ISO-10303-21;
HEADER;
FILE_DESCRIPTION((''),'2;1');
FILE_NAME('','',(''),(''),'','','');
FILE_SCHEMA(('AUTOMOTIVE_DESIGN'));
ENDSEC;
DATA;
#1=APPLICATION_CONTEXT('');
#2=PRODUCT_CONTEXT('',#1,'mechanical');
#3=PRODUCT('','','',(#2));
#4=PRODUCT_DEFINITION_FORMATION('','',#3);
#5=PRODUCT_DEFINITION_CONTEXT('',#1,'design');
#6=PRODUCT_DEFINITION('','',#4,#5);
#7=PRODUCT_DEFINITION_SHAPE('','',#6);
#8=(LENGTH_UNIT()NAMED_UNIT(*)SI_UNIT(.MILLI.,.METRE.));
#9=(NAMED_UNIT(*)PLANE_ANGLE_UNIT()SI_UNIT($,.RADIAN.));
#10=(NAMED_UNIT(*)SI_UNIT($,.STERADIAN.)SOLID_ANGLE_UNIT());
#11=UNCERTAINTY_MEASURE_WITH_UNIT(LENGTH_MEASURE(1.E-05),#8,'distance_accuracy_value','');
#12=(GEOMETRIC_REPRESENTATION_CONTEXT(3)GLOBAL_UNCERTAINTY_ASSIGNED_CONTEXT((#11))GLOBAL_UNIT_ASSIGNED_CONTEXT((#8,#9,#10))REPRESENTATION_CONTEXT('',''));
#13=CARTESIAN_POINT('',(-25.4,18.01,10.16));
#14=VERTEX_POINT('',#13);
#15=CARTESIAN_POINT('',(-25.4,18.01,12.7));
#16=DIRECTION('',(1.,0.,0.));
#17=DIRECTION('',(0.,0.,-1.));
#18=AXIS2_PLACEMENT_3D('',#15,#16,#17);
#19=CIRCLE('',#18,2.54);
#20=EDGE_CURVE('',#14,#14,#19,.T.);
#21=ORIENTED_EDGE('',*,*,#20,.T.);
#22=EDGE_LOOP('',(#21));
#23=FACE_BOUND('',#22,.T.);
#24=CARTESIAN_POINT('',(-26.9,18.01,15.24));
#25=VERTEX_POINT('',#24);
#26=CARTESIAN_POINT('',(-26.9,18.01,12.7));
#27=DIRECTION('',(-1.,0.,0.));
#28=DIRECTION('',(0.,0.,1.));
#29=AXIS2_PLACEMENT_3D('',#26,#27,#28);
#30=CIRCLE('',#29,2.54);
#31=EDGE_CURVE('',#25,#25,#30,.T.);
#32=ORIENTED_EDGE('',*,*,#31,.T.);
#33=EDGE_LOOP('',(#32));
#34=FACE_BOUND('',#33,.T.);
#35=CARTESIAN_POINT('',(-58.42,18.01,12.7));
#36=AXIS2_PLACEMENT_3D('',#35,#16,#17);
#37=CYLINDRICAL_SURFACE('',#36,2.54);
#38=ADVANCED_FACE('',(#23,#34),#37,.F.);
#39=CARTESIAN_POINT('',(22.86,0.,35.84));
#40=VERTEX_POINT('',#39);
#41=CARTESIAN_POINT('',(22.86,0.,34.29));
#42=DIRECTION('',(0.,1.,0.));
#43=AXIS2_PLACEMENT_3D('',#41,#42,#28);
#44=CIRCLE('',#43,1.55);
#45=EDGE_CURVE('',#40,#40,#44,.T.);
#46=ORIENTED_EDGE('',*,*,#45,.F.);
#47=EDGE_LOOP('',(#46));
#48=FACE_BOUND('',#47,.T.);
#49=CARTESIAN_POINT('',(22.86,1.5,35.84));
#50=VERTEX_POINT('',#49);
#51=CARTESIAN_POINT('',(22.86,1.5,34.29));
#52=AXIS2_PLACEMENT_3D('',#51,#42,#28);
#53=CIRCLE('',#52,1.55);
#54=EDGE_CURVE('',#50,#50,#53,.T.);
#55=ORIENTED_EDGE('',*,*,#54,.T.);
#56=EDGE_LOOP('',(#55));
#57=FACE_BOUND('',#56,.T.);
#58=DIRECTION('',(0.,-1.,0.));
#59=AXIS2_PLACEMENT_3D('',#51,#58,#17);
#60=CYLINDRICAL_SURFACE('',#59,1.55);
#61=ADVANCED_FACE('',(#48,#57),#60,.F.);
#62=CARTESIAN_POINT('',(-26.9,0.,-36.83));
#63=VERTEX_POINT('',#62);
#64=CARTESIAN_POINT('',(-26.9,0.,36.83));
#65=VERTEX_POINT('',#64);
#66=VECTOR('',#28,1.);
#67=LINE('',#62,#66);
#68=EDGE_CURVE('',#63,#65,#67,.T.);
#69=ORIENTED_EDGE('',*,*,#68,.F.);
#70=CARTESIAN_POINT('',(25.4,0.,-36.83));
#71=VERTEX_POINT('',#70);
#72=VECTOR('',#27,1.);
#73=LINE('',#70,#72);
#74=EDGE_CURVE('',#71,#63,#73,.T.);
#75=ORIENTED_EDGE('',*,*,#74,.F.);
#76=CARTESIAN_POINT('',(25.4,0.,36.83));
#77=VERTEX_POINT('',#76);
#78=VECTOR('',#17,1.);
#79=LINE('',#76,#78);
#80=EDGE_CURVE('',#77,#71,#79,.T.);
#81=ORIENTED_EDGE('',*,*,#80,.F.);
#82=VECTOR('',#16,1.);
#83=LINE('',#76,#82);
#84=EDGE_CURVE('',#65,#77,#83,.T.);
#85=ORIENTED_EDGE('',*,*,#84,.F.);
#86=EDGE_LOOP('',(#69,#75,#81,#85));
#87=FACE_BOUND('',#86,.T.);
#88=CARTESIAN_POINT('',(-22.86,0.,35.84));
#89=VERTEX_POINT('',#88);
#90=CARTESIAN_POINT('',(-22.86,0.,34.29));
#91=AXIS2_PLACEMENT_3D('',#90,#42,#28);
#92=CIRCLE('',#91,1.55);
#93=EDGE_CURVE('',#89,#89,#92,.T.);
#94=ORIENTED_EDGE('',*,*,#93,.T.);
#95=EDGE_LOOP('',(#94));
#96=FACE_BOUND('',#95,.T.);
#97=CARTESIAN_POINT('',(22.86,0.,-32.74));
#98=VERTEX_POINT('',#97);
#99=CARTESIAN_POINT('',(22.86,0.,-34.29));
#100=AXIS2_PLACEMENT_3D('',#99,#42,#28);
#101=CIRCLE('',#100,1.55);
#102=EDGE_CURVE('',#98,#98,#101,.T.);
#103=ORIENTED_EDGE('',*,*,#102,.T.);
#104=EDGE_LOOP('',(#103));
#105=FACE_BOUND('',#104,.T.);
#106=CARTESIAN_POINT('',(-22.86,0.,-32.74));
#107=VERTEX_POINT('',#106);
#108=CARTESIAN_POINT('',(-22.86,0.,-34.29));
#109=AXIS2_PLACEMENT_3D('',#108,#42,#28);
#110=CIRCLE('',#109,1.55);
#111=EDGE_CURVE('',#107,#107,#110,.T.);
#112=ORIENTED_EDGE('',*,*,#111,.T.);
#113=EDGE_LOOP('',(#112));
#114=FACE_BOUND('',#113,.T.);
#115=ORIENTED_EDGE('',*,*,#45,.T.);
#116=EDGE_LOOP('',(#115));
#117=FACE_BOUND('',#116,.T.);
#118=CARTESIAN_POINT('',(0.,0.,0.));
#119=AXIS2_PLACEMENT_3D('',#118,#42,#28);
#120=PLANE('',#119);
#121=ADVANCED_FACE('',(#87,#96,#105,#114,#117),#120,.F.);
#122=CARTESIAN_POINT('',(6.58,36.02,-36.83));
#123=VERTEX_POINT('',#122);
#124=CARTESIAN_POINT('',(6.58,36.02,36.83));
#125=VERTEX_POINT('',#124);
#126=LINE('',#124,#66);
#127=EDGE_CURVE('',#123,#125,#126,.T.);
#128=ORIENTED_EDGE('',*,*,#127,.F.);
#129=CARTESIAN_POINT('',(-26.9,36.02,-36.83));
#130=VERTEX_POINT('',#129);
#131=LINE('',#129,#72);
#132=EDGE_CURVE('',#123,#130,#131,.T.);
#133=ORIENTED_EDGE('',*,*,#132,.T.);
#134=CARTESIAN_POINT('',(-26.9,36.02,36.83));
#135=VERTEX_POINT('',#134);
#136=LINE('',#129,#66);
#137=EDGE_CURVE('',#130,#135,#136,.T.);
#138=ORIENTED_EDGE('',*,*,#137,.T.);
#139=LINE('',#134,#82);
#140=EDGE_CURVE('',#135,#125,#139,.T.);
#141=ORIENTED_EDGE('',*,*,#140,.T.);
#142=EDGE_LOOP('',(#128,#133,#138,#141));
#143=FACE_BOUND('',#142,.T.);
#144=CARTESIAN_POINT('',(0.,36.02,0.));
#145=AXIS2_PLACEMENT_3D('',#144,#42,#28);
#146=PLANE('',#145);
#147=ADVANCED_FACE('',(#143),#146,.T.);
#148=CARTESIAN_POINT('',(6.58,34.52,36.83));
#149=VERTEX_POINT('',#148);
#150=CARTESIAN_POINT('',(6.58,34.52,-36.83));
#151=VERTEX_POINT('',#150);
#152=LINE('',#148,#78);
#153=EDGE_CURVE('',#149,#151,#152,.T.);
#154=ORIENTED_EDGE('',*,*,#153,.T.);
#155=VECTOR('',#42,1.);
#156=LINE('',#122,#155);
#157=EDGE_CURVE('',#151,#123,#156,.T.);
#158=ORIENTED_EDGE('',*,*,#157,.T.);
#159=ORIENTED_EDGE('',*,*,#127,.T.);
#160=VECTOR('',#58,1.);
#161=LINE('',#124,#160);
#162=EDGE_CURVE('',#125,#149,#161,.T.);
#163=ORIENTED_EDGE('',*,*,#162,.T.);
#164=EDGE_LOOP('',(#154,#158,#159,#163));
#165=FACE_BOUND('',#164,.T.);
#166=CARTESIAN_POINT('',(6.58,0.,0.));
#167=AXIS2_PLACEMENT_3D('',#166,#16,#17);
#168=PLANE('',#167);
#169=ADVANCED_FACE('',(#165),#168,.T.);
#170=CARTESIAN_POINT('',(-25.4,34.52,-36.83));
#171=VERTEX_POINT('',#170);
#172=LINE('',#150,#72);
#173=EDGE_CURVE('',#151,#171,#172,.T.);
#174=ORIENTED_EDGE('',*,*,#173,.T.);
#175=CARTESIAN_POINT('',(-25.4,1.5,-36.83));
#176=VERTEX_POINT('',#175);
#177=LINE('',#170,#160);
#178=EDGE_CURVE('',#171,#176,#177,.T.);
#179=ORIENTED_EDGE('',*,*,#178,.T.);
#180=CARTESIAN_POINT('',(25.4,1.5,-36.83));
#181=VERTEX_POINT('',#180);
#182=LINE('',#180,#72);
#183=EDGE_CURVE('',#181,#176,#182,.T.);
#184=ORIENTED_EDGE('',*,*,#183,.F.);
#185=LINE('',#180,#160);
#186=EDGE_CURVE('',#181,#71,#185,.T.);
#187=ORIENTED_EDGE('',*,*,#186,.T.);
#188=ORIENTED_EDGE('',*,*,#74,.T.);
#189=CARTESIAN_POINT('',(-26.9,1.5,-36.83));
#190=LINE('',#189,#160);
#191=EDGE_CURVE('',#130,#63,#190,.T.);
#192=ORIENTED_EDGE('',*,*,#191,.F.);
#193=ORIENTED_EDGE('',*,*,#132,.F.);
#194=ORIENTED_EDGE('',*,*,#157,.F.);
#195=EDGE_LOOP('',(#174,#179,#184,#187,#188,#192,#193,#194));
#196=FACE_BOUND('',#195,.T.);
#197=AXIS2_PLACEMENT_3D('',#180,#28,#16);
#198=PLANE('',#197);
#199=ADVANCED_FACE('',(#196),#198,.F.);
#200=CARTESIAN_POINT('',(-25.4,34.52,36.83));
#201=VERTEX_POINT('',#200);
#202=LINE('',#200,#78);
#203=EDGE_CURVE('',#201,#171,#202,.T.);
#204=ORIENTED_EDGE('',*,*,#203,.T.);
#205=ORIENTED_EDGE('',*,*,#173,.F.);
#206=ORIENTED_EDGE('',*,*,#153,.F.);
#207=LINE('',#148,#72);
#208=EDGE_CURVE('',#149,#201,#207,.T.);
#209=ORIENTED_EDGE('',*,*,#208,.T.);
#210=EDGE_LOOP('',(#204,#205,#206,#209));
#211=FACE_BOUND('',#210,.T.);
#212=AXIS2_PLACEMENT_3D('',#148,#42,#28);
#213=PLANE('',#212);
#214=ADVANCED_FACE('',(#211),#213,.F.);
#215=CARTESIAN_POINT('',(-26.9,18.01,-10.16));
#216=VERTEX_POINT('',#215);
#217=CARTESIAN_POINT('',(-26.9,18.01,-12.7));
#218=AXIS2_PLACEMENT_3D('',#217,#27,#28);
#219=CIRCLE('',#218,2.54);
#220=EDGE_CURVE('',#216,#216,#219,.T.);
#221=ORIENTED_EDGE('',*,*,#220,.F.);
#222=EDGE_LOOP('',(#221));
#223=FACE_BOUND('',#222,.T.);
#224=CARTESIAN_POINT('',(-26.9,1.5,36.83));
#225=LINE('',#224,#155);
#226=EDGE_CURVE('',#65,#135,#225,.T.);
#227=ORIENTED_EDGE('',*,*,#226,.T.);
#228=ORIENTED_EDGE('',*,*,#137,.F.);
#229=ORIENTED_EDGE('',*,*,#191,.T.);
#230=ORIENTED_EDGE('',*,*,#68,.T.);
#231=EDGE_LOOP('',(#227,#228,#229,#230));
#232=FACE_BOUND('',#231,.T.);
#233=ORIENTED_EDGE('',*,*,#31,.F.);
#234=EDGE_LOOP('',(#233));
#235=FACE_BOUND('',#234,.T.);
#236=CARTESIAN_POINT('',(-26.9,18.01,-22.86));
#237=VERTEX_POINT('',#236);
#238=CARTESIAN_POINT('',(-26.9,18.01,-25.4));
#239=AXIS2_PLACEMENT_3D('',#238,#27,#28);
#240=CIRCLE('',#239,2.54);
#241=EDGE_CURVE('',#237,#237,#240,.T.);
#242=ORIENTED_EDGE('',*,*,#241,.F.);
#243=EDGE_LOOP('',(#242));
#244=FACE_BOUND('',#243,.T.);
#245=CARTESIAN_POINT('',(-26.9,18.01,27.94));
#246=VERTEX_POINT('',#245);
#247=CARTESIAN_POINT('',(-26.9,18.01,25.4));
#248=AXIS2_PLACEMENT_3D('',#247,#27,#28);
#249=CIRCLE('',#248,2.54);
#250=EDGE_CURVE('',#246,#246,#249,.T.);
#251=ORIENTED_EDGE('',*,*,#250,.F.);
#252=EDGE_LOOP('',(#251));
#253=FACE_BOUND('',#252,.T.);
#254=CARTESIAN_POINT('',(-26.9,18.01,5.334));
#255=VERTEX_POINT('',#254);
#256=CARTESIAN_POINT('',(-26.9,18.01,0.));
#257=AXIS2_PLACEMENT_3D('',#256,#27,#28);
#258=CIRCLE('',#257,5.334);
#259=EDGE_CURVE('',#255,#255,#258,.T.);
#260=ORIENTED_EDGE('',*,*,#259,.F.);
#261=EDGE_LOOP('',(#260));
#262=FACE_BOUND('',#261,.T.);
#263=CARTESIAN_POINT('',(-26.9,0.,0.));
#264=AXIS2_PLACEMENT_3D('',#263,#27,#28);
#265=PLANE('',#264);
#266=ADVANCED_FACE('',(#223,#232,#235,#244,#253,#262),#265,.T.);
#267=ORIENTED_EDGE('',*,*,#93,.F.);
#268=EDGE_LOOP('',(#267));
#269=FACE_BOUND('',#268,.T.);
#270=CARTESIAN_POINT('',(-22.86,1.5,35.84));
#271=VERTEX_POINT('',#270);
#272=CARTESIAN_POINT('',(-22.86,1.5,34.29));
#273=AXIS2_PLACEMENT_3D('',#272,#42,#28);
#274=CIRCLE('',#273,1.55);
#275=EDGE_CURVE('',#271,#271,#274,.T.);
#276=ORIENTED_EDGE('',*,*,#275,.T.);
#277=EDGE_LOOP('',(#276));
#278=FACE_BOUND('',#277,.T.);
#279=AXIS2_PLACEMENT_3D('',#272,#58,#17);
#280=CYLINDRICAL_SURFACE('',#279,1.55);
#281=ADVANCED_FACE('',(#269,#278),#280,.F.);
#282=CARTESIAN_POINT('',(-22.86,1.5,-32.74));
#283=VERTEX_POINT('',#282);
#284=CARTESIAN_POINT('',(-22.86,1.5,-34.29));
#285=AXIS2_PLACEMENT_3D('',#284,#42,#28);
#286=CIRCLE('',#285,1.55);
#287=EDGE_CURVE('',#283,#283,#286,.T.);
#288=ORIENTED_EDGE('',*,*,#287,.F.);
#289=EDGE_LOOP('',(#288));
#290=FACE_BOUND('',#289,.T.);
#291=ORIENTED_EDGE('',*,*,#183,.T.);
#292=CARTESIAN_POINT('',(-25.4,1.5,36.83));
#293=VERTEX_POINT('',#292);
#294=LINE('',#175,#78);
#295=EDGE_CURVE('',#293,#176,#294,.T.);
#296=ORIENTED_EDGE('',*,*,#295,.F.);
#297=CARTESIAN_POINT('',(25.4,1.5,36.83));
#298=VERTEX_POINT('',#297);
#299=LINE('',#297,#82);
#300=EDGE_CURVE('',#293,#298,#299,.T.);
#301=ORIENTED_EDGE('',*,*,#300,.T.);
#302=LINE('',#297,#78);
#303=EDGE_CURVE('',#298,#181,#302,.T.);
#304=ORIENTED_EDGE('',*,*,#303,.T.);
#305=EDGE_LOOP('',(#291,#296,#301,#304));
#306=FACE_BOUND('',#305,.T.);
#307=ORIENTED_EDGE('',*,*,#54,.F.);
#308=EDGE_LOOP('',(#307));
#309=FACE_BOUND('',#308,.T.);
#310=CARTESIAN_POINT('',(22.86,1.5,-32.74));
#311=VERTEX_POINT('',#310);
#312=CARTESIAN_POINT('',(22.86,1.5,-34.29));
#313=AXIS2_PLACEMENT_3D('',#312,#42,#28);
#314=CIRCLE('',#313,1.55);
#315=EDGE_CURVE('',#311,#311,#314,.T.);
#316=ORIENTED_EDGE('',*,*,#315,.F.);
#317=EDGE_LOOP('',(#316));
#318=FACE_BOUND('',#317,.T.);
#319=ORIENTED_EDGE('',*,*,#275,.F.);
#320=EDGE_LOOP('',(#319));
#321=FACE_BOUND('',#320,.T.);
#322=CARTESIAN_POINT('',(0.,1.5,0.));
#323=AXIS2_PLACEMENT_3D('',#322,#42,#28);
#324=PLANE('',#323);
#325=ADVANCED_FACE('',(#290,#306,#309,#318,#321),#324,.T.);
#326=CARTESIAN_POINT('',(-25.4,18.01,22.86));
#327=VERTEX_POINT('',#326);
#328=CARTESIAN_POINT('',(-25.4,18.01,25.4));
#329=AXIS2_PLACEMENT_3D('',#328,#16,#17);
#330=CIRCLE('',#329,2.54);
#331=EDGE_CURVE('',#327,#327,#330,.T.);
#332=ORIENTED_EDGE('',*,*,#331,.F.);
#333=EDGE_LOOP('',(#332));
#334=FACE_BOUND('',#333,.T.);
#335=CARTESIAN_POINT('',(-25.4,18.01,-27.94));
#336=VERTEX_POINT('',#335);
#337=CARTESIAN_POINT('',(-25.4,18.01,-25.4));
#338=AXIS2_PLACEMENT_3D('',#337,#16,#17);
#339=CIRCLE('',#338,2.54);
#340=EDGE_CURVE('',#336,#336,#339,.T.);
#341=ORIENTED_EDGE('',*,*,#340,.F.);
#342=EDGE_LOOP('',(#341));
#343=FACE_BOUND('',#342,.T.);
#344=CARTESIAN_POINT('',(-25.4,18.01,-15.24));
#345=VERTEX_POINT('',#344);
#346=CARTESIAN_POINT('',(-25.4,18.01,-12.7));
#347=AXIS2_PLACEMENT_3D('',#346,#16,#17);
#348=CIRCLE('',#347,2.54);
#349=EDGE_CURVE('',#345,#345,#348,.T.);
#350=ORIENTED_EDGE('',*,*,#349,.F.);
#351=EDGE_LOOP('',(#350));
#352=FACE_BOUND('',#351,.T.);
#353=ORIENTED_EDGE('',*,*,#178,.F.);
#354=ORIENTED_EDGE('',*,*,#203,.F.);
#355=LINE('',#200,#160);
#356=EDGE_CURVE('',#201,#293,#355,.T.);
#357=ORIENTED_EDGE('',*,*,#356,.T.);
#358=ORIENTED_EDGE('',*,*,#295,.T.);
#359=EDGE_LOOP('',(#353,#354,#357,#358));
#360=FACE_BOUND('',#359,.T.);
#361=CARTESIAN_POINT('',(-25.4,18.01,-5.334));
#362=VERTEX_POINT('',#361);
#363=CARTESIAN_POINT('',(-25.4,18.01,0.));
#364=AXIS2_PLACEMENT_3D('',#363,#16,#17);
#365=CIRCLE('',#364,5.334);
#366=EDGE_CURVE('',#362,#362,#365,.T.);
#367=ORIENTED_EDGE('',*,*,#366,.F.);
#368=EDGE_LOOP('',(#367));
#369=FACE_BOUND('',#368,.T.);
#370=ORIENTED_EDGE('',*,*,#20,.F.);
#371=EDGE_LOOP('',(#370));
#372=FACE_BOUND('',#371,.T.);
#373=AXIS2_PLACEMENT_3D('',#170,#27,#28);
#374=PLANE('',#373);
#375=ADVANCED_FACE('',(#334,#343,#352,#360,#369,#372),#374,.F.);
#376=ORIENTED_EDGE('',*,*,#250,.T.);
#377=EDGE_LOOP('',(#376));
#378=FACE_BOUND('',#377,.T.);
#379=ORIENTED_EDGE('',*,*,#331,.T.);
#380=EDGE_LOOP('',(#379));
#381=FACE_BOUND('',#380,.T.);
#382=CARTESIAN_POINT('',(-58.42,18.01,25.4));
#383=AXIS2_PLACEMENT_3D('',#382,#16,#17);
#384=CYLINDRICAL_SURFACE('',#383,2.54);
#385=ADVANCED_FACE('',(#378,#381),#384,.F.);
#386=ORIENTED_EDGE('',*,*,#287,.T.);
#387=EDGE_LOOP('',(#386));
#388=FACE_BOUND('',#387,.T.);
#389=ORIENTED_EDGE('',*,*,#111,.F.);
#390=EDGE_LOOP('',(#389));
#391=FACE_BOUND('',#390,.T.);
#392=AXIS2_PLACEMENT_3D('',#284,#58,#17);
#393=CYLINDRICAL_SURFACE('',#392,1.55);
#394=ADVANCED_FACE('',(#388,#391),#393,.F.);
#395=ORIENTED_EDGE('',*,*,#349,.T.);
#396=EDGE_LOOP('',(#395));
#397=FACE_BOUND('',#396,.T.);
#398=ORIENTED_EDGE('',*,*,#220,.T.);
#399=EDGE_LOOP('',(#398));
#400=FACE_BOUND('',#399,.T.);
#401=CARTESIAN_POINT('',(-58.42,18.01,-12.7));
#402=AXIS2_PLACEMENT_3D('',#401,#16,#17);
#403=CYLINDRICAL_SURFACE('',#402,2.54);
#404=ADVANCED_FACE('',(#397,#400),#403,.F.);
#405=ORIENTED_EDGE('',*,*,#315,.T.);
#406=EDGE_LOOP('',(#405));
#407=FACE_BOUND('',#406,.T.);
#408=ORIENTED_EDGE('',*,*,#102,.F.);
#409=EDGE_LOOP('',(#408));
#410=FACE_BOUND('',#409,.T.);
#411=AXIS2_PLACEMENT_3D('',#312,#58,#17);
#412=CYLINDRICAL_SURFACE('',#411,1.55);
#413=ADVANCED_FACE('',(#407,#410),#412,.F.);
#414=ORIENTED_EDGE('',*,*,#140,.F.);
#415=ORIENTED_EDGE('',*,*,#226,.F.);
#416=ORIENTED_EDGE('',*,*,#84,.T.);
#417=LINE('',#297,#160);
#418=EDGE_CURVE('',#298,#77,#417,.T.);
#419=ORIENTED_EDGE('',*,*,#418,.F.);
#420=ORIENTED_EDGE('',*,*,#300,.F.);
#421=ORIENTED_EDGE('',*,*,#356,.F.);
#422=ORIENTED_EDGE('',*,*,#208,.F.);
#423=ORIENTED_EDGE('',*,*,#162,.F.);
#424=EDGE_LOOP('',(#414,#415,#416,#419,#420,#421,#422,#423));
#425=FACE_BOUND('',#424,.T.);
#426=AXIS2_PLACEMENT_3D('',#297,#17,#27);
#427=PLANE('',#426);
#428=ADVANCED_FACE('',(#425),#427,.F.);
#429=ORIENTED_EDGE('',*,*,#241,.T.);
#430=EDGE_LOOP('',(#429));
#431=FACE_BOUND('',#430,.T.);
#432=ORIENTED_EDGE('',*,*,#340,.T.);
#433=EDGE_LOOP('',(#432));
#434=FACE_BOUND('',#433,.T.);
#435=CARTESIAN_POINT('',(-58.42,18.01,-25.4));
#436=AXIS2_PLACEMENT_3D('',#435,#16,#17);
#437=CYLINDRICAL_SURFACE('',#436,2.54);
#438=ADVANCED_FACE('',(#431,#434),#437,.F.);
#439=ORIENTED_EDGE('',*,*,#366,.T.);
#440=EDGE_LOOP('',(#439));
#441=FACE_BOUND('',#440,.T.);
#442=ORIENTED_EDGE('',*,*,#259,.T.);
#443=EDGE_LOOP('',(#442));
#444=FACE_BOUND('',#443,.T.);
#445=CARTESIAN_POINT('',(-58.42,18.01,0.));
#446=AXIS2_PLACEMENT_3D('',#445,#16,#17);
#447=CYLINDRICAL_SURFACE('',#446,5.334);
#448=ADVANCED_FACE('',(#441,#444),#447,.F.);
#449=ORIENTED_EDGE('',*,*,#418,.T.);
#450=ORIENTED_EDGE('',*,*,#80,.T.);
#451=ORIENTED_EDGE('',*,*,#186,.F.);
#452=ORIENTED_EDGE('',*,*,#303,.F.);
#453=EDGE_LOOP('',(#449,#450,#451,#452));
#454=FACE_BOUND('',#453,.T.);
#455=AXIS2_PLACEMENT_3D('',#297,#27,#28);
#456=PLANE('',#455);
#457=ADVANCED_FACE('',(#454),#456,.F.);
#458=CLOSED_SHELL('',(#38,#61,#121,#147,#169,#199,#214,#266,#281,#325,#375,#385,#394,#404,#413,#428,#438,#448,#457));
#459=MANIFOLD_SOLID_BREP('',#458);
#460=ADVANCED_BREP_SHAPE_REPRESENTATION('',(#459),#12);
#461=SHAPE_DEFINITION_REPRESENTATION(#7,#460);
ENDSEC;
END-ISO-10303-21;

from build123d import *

# Parameters (mm, degrees)
SKETCH_1_W          = 50.8
SKETCH_1_H          = 73.66
SKETCH_1_R          = 1.55
EXTRUDE_1_DEPTH     = 1.5
SKETCH_2_W          = 73.66
SKETCH_2_H          = 1.5
EXTRUDE_2_DEPTH     = 1.5
SKETCH_3_W          = 1.5
SKETCH_3_H          = 73.66
EXTRUDE_3_DEPTH     = 33.02
SKETCH_4_R          = 5.334
SKETCH_4_R_2        = 2.54
CUT_EXTRUDE_1_DEPTH = 33.02
SKETCH_6_W          = 1.5
SKETCH_6_H          = 73.66
EXTRUDE_4_DEPTH     = 1.5
SKETCH_7_W          = 73.66
SKETCH_7_H          = 1.5
EXTRUDE_5_DEPTH     = 31.98


with BuildPart() as part:
    # 草图1 → 凸台-拉伸1 (new body)
    with BuildSketch(Plane(origin=(0, 0, 0), x_dir=(1, 0, 0), z_dir=(0, 1, 0))):
        Rectangle(SKETCH_1_W, SKETCH_1_H)
        with Locations(Location((-22.86, 34.29, 0), (0, 0, 270))):
            Circle(SKETCH_1_R, mode=Mode.SUBTRACT)
        with Locations(Location((22.86, 34.29, 0), (0, 0, 270))):
            Circle(SKETCH_1_R, mode=Mode.SUBTRACT)
        with Locations(Location((22.86, -34.29, 0), (0, 0, 270))):
            Circle(SKETCH_1_R, mode=Mode.SUBTRACT)
        with Locations(Location((-22.86, -34.29, 0), (0, 0, 270))):
            Circle(SKETCH_1_R, mode=Mode.SUBTRACT)
    extrude(amount=EXTRUDE_1_DEPTH)

    # 草图2 → 凸台-拉伸2 (add)
    with BuildSketch(Plane.ZY.offset(25.4)):
        with Locations((0, 0.75)):
            Rectangle(SKETCH_2_W, SKETCH_2_H)
    extrude(amount=EXTRUDE_2_DEPTH)

    # 草图3 → 凸台-拉伸3 (add)
    with BuildSketch(Plane(origin=(0, 1.5, 0), x_dir=(1, 0, 0), z_dir=(0, 1, 0))):
        with Locations((-26.15, 0)):
            Rectangle(SKETCH_3_W, SKETCH_3_H)
    extrude(amount=EXTRUDE_3_DEPTH)

    # 草图4 → 切除-拉伸1 (cut)
    with BuildSketch(Plane(origin=(-25.4, 0, 0), x_dir=(0, 0, -1), z_dir=(1, 0, 0))):
        with Locations((0, 18.01)):
            Circle(SKETCH_4_R)
        with Locations((12.7, 18.01)):
            Circle(SKETCH_4_R_2)
        with Locations((25.4, 18.01)):
            Circle(SKETCH_4_R_2)
        with Locations((-12.7, 18.01)):
            Circle(SKETCH_4_R_2)
        with Locations((-25.4, 18.01)):
            Circle(SKETCH_4_R_2)
    extrude(amount=-CUT_EXTRUDE_1_DEPTH, mode=Mode.SUBTRACT)

    # 草图6 → 凸台-拉伸4 (add)
    with BuildSketch(Plane(origin=(0, 34.52, 0), x_dir=(1, 0, 0), z_dir=(0, 1, 0))):
        with Locations((-26.15, 0)):
            Rectangle(SKETCH_6_W, SKETCH_6_H)
    extrude(amount=EXTRUDE_4_DEPTH)

    # 草图7 → 凸台-拉伸5 (add)
    with BuildSketch(Plane(origin=(-25.4, 0, 0), x_dir=(0, 0, -1), z_dir=(1, 0, 0))):
        with Locations((0, 35.27)):
            Rectangle(SKETCH_7_W, SKETCH_7_H)
    extrude(amount=EXTRUDE_5_DEPTH)


solid = part.part
